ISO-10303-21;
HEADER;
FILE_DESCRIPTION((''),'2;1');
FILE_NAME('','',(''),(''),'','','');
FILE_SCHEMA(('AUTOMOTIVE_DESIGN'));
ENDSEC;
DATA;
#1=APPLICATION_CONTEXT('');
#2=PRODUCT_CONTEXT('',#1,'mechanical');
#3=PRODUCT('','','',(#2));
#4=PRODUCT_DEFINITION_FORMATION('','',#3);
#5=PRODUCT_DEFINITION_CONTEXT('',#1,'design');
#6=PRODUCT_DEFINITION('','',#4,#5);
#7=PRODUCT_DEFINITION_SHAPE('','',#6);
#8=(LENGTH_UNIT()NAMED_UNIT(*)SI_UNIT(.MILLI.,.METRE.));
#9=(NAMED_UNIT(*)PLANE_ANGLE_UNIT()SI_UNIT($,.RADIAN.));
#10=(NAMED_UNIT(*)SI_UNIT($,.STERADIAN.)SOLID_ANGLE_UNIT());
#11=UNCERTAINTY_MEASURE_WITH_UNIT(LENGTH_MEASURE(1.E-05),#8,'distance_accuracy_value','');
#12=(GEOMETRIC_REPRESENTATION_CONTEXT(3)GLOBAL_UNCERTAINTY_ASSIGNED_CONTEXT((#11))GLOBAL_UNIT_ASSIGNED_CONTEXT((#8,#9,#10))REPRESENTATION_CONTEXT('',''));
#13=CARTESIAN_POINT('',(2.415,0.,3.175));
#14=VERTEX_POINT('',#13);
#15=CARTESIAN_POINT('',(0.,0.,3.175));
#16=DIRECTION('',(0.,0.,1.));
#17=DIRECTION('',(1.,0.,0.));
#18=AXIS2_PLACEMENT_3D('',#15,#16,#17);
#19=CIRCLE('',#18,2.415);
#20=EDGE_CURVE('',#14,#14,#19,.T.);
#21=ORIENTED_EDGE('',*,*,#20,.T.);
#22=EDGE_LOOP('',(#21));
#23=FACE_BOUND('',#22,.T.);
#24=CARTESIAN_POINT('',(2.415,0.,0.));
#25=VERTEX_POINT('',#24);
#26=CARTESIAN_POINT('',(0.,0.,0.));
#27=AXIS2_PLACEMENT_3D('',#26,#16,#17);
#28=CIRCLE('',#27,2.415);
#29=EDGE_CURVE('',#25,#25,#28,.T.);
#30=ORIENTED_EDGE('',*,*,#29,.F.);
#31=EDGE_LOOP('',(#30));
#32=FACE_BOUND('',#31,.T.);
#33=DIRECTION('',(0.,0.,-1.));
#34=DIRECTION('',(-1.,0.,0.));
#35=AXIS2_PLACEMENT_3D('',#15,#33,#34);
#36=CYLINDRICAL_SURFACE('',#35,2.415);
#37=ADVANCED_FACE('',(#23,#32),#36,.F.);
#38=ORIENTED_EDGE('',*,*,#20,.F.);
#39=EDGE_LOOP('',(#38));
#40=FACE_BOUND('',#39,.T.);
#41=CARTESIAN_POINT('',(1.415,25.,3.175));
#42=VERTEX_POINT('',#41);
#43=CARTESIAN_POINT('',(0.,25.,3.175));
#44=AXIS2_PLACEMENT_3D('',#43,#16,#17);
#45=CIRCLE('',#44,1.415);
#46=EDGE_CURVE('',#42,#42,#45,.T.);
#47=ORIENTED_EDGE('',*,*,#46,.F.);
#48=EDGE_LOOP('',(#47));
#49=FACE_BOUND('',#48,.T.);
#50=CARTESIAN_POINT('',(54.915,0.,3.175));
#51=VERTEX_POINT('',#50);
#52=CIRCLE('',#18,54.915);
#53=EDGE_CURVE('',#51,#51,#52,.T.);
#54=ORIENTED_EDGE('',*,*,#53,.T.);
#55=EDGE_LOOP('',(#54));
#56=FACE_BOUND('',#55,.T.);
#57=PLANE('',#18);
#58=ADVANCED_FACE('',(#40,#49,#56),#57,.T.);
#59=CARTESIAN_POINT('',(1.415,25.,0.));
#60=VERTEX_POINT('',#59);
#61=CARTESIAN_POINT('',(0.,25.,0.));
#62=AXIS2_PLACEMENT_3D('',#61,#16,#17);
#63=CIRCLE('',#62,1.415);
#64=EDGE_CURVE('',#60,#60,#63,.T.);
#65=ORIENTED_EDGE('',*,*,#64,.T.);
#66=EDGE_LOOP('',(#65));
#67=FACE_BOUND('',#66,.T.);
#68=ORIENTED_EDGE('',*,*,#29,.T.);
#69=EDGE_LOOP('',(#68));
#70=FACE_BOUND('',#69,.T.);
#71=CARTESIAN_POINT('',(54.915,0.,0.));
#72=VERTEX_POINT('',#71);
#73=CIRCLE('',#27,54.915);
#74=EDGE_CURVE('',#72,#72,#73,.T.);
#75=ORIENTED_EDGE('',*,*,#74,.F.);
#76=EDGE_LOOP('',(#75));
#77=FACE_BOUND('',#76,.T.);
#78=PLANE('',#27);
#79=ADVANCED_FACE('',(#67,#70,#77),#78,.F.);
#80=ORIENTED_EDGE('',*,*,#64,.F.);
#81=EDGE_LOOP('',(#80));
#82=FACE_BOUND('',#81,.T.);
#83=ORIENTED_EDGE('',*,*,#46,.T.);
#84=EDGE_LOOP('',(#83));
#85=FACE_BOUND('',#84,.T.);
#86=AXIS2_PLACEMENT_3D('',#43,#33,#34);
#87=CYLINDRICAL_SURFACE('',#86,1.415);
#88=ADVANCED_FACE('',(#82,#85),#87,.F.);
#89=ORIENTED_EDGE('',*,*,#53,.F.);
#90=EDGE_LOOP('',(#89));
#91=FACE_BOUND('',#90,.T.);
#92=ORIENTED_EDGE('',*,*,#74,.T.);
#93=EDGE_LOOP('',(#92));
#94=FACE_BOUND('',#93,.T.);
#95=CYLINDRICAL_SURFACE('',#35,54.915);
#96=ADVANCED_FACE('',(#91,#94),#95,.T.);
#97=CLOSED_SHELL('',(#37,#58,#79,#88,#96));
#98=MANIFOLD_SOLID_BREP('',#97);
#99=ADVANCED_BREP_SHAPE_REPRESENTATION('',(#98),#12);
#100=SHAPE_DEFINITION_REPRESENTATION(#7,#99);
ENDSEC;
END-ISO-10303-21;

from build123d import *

# Parameters (mm, degrees)
SKETCH2_R           = 54.915
SKETCH2_R_2         = 2.415
SKETCH2_R_3         = 1.415
BOSS_EXTRUDE1_DEPTH = 3.175


with BuildPart() as part:
    # Sketch2 → Boss-Extrude1 (new body)
    with BuildSketch(Plane.XY):
        Circle(SKETCH2_R)
        Circle(SKETCH2_R_2, mode=Mode.SUBTRACT)
        with Locations((0, 25)):
            Circle(SKETCH2_R_3, mode=Mode.SUBTRACT)
    extrude(amount=BOSS_EXTRUDE1_DEPTH)


solid = part.part
